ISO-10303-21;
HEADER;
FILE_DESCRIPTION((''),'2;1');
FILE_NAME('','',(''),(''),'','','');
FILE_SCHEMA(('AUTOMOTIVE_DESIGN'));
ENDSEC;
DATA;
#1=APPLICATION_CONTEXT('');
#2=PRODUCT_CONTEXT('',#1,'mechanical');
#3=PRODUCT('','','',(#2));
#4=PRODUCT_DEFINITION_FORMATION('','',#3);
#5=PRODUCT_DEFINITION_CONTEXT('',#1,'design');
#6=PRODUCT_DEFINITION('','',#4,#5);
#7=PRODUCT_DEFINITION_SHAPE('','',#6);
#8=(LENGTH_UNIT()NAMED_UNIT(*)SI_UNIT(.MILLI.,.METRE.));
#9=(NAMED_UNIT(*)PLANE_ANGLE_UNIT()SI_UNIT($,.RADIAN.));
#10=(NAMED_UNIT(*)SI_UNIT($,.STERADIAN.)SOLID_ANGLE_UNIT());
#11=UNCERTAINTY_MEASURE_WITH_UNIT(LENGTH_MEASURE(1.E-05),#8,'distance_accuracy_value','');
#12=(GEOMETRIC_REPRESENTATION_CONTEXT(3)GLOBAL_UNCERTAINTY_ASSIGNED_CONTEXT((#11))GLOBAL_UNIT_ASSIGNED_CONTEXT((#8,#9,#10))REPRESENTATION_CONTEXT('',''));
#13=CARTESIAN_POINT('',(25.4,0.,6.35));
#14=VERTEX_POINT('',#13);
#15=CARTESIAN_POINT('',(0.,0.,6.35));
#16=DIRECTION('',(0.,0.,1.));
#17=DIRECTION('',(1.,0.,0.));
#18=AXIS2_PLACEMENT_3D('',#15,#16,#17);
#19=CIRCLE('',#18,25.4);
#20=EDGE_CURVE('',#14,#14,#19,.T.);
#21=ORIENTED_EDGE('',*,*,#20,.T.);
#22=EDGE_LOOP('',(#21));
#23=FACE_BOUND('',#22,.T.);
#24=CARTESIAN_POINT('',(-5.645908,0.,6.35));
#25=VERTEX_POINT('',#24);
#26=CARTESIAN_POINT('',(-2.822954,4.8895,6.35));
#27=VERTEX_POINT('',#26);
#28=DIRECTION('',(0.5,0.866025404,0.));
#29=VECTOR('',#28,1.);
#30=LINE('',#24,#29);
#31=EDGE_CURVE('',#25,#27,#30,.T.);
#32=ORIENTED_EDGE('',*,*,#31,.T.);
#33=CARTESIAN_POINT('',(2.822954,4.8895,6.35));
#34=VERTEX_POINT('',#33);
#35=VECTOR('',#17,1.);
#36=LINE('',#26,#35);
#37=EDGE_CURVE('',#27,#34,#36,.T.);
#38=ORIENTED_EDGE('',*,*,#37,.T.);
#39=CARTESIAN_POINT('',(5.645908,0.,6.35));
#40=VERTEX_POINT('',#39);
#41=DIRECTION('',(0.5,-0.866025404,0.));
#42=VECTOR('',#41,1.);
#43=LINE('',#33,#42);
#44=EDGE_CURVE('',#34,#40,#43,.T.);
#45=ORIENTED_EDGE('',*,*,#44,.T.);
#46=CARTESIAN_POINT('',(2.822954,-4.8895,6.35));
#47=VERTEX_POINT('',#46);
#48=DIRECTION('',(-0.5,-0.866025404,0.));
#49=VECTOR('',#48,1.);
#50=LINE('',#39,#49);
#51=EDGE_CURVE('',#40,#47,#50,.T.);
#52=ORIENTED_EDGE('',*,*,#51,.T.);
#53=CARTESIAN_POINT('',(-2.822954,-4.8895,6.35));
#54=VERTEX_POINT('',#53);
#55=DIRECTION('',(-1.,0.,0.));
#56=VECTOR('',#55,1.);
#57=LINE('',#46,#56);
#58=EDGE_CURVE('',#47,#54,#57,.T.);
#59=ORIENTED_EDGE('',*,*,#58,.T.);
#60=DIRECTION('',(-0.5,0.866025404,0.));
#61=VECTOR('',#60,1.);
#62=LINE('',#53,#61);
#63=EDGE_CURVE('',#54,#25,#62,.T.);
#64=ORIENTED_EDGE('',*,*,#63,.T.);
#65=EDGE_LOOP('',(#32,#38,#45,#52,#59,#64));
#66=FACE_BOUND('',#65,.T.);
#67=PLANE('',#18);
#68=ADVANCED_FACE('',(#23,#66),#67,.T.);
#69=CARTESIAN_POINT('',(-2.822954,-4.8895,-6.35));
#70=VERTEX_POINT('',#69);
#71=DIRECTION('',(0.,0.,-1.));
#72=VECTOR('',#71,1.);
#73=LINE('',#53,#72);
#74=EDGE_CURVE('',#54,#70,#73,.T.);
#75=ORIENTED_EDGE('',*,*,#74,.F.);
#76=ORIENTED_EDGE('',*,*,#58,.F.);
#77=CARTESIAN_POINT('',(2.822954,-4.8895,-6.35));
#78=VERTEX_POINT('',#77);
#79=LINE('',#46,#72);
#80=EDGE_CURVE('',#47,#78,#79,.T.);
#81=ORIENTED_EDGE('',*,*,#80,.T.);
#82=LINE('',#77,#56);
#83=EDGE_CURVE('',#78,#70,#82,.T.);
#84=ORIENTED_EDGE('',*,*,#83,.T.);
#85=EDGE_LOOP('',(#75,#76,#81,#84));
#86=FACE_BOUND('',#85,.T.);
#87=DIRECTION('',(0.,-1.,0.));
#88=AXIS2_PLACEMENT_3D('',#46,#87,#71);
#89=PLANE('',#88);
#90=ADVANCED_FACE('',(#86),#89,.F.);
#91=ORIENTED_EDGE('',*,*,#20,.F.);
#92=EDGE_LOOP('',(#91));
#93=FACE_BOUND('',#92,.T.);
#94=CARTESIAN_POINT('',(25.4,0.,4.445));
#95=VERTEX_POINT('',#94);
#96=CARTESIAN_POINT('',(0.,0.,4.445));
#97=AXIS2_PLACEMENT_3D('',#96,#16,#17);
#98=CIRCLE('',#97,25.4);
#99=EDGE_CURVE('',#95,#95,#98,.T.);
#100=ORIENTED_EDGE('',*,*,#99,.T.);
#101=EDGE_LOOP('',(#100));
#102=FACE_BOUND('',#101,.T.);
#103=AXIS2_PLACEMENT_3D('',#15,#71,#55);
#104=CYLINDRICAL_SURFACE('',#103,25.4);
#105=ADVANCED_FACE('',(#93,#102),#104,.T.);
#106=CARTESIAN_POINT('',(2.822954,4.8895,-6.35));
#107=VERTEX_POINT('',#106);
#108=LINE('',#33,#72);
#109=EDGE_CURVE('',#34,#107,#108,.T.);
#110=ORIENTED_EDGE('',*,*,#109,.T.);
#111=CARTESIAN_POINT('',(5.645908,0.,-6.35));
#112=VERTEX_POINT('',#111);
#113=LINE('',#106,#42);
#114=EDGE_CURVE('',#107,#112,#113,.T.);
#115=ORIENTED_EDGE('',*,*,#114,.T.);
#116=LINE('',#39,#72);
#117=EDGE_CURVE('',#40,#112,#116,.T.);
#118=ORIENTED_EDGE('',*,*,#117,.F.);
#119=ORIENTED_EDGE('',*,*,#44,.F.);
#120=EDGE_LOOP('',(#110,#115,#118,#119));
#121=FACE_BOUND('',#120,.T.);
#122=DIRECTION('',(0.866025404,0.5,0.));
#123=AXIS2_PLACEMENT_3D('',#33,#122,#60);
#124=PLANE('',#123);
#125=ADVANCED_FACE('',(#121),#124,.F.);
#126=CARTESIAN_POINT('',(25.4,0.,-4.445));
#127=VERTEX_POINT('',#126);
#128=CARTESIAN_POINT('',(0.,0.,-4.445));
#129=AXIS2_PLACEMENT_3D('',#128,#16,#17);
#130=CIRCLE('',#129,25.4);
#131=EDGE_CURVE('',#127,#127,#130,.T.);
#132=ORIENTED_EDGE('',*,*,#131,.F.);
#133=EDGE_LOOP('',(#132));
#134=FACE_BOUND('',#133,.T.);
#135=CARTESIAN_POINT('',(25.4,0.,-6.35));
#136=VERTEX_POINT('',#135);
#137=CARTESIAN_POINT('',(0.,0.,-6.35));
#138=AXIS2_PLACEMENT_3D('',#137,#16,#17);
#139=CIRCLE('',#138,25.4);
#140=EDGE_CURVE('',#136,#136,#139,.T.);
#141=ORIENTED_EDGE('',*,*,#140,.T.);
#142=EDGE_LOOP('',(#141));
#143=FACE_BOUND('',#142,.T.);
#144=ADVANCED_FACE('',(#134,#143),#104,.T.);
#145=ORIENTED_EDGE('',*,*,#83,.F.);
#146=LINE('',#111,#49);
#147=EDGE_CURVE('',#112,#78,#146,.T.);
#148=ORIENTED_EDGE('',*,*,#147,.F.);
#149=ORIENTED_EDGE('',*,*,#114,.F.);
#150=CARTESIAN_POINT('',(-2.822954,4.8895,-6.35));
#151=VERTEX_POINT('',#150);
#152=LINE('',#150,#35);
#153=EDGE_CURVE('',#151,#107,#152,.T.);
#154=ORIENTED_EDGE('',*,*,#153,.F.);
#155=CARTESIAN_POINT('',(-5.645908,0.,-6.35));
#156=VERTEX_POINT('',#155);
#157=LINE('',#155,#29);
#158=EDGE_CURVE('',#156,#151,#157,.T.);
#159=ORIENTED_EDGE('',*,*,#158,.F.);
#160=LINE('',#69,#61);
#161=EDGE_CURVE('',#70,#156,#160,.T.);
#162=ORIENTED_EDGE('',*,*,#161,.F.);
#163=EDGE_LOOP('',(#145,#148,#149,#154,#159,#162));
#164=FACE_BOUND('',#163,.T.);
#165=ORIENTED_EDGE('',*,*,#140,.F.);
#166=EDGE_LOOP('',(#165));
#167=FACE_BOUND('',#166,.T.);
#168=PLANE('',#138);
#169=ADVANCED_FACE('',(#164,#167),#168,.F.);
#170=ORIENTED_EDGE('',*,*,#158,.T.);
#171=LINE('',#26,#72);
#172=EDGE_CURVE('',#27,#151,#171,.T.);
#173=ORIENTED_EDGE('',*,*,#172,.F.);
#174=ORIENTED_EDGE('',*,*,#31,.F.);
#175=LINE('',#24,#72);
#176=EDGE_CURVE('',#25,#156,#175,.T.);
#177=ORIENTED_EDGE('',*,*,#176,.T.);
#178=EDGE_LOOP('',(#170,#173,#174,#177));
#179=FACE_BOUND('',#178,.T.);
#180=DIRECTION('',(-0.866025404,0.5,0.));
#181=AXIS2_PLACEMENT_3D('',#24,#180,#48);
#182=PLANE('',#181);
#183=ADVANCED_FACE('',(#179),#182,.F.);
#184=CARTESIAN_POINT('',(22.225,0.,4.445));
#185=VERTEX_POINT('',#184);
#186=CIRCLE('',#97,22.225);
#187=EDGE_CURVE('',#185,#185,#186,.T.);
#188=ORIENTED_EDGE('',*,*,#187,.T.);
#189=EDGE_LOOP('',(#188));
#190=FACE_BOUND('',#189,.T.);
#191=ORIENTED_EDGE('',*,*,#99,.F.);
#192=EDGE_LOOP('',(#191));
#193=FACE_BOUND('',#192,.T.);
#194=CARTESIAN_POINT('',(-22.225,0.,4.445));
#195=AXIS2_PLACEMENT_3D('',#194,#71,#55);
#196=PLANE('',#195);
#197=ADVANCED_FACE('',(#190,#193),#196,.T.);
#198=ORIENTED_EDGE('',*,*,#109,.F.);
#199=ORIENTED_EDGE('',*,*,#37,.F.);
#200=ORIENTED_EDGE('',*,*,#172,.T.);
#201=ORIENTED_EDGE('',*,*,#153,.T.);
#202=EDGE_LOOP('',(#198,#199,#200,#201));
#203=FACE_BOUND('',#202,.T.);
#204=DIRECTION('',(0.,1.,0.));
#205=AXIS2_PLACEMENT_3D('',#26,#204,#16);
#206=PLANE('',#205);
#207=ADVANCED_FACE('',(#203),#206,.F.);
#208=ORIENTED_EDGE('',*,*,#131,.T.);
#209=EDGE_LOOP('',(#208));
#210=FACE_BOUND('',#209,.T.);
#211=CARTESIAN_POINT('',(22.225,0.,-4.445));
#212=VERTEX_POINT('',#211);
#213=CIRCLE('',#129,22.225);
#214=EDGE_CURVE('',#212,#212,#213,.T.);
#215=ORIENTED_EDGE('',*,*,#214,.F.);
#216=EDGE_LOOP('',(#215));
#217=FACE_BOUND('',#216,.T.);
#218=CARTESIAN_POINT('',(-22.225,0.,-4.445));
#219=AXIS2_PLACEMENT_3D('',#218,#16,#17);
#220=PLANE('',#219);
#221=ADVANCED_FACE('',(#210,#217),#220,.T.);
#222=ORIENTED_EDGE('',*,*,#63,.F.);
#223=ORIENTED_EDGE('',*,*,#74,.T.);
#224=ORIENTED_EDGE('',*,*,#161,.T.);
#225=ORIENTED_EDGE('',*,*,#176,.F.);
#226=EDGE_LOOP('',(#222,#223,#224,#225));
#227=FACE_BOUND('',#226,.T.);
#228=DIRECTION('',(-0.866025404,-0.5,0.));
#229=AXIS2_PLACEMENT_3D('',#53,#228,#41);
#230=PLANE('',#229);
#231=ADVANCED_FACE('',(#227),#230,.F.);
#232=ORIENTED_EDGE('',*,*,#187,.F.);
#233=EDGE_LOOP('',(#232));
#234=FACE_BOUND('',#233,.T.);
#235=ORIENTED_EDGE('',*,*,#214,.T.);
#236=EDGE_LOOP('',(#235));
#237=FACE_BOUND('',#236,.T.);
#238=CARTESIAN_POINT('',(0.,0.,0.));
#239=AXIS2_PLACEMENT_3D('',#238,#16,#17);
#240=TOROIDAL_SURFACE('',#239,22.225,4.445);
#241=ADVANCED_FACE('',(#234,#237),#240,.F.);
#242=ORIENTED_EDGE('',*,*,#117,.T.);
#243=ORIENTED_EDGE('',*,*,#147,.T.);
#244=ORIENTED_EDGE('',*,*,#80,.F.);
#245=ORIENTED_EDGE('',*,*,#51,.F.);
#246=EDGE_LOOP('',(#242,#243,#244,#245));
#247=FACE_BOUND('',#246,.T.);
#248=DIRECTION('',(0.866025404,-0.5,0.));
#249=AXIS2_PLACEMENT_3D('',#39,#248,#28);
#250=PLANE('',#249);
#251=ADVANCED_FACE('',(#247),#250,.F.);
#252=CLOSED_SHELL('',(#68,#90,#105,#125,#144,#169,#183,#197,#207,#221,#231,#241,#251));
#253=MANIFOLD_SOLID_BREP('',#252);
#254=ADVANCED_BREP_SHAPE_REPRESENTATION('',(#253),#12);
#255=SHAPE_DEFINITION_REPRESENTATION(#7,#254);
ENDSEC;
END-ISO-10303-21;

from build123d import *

# Parameters (mm, degrees)
SKETCH1_R           = 25.4
BOSS_EXTRUDE1_DEPTH = 6.35
CUT_EXTRUDE1_DEPTH  = 39.1


with BuildPart() as part:
    # Sketch1 → Boss-Extrude1 (new, symmetric)
    with BuildSketch(Plane.XY):
        Circle(SKETCH1_R)
    extrude(amount=BOSS_EXTRUDE1_DEPTH, both=True)

    # Sketch3 → Cut-Revolve1 (revolve, cut)
    with BuildSketch(Plane(origin=(0, 0, 0), x_dir=(1, 0, 0), z_dir=(0, 1, 0)), mode=Mode.PRIVATE) as cut_revolve1_sk:
        with BuildLine():
            Line((-25.4, 4.445), (-25.4, -4.445))
            Line((-25.4, -4.445), (-22.225, -4.445))
            ThreePointArc((-22.225, -4.445), (-17.78, 0), (-22.225, 4.445))
            Line((-22.225, 4.445), (-25.4, 4.445))
        make_face()
    revolve(cut_revolve1_sk.sketch.rotate(Axis((0, 0, 17.119668281), (0, 0, -1)), 180), axis=Axis((0, 0, 17.119668281), (0, 0, -1)), mode=Mode.SUBTRACT)

    # Sketch4 → Cut-Extrude1 (cut, through all)
    with BuildSketch(Plane(origin=(0, 0, -6.35), x_dir=(-1, 0, 0), z_dir=(0, 0, -1))):
        Polygon((5.645908282, 0), (2.822954141, 4.8895), (-2.822954141, 4.8895), (-5.645908282, 0), (-2.822954141, -4.8895), (2.822954141, -4.8895), align=None)
    extrude(amount=-CUT_EXTRUDE1_DEPTH, mode=Mode.SUBTRACT)


solid = part.part
